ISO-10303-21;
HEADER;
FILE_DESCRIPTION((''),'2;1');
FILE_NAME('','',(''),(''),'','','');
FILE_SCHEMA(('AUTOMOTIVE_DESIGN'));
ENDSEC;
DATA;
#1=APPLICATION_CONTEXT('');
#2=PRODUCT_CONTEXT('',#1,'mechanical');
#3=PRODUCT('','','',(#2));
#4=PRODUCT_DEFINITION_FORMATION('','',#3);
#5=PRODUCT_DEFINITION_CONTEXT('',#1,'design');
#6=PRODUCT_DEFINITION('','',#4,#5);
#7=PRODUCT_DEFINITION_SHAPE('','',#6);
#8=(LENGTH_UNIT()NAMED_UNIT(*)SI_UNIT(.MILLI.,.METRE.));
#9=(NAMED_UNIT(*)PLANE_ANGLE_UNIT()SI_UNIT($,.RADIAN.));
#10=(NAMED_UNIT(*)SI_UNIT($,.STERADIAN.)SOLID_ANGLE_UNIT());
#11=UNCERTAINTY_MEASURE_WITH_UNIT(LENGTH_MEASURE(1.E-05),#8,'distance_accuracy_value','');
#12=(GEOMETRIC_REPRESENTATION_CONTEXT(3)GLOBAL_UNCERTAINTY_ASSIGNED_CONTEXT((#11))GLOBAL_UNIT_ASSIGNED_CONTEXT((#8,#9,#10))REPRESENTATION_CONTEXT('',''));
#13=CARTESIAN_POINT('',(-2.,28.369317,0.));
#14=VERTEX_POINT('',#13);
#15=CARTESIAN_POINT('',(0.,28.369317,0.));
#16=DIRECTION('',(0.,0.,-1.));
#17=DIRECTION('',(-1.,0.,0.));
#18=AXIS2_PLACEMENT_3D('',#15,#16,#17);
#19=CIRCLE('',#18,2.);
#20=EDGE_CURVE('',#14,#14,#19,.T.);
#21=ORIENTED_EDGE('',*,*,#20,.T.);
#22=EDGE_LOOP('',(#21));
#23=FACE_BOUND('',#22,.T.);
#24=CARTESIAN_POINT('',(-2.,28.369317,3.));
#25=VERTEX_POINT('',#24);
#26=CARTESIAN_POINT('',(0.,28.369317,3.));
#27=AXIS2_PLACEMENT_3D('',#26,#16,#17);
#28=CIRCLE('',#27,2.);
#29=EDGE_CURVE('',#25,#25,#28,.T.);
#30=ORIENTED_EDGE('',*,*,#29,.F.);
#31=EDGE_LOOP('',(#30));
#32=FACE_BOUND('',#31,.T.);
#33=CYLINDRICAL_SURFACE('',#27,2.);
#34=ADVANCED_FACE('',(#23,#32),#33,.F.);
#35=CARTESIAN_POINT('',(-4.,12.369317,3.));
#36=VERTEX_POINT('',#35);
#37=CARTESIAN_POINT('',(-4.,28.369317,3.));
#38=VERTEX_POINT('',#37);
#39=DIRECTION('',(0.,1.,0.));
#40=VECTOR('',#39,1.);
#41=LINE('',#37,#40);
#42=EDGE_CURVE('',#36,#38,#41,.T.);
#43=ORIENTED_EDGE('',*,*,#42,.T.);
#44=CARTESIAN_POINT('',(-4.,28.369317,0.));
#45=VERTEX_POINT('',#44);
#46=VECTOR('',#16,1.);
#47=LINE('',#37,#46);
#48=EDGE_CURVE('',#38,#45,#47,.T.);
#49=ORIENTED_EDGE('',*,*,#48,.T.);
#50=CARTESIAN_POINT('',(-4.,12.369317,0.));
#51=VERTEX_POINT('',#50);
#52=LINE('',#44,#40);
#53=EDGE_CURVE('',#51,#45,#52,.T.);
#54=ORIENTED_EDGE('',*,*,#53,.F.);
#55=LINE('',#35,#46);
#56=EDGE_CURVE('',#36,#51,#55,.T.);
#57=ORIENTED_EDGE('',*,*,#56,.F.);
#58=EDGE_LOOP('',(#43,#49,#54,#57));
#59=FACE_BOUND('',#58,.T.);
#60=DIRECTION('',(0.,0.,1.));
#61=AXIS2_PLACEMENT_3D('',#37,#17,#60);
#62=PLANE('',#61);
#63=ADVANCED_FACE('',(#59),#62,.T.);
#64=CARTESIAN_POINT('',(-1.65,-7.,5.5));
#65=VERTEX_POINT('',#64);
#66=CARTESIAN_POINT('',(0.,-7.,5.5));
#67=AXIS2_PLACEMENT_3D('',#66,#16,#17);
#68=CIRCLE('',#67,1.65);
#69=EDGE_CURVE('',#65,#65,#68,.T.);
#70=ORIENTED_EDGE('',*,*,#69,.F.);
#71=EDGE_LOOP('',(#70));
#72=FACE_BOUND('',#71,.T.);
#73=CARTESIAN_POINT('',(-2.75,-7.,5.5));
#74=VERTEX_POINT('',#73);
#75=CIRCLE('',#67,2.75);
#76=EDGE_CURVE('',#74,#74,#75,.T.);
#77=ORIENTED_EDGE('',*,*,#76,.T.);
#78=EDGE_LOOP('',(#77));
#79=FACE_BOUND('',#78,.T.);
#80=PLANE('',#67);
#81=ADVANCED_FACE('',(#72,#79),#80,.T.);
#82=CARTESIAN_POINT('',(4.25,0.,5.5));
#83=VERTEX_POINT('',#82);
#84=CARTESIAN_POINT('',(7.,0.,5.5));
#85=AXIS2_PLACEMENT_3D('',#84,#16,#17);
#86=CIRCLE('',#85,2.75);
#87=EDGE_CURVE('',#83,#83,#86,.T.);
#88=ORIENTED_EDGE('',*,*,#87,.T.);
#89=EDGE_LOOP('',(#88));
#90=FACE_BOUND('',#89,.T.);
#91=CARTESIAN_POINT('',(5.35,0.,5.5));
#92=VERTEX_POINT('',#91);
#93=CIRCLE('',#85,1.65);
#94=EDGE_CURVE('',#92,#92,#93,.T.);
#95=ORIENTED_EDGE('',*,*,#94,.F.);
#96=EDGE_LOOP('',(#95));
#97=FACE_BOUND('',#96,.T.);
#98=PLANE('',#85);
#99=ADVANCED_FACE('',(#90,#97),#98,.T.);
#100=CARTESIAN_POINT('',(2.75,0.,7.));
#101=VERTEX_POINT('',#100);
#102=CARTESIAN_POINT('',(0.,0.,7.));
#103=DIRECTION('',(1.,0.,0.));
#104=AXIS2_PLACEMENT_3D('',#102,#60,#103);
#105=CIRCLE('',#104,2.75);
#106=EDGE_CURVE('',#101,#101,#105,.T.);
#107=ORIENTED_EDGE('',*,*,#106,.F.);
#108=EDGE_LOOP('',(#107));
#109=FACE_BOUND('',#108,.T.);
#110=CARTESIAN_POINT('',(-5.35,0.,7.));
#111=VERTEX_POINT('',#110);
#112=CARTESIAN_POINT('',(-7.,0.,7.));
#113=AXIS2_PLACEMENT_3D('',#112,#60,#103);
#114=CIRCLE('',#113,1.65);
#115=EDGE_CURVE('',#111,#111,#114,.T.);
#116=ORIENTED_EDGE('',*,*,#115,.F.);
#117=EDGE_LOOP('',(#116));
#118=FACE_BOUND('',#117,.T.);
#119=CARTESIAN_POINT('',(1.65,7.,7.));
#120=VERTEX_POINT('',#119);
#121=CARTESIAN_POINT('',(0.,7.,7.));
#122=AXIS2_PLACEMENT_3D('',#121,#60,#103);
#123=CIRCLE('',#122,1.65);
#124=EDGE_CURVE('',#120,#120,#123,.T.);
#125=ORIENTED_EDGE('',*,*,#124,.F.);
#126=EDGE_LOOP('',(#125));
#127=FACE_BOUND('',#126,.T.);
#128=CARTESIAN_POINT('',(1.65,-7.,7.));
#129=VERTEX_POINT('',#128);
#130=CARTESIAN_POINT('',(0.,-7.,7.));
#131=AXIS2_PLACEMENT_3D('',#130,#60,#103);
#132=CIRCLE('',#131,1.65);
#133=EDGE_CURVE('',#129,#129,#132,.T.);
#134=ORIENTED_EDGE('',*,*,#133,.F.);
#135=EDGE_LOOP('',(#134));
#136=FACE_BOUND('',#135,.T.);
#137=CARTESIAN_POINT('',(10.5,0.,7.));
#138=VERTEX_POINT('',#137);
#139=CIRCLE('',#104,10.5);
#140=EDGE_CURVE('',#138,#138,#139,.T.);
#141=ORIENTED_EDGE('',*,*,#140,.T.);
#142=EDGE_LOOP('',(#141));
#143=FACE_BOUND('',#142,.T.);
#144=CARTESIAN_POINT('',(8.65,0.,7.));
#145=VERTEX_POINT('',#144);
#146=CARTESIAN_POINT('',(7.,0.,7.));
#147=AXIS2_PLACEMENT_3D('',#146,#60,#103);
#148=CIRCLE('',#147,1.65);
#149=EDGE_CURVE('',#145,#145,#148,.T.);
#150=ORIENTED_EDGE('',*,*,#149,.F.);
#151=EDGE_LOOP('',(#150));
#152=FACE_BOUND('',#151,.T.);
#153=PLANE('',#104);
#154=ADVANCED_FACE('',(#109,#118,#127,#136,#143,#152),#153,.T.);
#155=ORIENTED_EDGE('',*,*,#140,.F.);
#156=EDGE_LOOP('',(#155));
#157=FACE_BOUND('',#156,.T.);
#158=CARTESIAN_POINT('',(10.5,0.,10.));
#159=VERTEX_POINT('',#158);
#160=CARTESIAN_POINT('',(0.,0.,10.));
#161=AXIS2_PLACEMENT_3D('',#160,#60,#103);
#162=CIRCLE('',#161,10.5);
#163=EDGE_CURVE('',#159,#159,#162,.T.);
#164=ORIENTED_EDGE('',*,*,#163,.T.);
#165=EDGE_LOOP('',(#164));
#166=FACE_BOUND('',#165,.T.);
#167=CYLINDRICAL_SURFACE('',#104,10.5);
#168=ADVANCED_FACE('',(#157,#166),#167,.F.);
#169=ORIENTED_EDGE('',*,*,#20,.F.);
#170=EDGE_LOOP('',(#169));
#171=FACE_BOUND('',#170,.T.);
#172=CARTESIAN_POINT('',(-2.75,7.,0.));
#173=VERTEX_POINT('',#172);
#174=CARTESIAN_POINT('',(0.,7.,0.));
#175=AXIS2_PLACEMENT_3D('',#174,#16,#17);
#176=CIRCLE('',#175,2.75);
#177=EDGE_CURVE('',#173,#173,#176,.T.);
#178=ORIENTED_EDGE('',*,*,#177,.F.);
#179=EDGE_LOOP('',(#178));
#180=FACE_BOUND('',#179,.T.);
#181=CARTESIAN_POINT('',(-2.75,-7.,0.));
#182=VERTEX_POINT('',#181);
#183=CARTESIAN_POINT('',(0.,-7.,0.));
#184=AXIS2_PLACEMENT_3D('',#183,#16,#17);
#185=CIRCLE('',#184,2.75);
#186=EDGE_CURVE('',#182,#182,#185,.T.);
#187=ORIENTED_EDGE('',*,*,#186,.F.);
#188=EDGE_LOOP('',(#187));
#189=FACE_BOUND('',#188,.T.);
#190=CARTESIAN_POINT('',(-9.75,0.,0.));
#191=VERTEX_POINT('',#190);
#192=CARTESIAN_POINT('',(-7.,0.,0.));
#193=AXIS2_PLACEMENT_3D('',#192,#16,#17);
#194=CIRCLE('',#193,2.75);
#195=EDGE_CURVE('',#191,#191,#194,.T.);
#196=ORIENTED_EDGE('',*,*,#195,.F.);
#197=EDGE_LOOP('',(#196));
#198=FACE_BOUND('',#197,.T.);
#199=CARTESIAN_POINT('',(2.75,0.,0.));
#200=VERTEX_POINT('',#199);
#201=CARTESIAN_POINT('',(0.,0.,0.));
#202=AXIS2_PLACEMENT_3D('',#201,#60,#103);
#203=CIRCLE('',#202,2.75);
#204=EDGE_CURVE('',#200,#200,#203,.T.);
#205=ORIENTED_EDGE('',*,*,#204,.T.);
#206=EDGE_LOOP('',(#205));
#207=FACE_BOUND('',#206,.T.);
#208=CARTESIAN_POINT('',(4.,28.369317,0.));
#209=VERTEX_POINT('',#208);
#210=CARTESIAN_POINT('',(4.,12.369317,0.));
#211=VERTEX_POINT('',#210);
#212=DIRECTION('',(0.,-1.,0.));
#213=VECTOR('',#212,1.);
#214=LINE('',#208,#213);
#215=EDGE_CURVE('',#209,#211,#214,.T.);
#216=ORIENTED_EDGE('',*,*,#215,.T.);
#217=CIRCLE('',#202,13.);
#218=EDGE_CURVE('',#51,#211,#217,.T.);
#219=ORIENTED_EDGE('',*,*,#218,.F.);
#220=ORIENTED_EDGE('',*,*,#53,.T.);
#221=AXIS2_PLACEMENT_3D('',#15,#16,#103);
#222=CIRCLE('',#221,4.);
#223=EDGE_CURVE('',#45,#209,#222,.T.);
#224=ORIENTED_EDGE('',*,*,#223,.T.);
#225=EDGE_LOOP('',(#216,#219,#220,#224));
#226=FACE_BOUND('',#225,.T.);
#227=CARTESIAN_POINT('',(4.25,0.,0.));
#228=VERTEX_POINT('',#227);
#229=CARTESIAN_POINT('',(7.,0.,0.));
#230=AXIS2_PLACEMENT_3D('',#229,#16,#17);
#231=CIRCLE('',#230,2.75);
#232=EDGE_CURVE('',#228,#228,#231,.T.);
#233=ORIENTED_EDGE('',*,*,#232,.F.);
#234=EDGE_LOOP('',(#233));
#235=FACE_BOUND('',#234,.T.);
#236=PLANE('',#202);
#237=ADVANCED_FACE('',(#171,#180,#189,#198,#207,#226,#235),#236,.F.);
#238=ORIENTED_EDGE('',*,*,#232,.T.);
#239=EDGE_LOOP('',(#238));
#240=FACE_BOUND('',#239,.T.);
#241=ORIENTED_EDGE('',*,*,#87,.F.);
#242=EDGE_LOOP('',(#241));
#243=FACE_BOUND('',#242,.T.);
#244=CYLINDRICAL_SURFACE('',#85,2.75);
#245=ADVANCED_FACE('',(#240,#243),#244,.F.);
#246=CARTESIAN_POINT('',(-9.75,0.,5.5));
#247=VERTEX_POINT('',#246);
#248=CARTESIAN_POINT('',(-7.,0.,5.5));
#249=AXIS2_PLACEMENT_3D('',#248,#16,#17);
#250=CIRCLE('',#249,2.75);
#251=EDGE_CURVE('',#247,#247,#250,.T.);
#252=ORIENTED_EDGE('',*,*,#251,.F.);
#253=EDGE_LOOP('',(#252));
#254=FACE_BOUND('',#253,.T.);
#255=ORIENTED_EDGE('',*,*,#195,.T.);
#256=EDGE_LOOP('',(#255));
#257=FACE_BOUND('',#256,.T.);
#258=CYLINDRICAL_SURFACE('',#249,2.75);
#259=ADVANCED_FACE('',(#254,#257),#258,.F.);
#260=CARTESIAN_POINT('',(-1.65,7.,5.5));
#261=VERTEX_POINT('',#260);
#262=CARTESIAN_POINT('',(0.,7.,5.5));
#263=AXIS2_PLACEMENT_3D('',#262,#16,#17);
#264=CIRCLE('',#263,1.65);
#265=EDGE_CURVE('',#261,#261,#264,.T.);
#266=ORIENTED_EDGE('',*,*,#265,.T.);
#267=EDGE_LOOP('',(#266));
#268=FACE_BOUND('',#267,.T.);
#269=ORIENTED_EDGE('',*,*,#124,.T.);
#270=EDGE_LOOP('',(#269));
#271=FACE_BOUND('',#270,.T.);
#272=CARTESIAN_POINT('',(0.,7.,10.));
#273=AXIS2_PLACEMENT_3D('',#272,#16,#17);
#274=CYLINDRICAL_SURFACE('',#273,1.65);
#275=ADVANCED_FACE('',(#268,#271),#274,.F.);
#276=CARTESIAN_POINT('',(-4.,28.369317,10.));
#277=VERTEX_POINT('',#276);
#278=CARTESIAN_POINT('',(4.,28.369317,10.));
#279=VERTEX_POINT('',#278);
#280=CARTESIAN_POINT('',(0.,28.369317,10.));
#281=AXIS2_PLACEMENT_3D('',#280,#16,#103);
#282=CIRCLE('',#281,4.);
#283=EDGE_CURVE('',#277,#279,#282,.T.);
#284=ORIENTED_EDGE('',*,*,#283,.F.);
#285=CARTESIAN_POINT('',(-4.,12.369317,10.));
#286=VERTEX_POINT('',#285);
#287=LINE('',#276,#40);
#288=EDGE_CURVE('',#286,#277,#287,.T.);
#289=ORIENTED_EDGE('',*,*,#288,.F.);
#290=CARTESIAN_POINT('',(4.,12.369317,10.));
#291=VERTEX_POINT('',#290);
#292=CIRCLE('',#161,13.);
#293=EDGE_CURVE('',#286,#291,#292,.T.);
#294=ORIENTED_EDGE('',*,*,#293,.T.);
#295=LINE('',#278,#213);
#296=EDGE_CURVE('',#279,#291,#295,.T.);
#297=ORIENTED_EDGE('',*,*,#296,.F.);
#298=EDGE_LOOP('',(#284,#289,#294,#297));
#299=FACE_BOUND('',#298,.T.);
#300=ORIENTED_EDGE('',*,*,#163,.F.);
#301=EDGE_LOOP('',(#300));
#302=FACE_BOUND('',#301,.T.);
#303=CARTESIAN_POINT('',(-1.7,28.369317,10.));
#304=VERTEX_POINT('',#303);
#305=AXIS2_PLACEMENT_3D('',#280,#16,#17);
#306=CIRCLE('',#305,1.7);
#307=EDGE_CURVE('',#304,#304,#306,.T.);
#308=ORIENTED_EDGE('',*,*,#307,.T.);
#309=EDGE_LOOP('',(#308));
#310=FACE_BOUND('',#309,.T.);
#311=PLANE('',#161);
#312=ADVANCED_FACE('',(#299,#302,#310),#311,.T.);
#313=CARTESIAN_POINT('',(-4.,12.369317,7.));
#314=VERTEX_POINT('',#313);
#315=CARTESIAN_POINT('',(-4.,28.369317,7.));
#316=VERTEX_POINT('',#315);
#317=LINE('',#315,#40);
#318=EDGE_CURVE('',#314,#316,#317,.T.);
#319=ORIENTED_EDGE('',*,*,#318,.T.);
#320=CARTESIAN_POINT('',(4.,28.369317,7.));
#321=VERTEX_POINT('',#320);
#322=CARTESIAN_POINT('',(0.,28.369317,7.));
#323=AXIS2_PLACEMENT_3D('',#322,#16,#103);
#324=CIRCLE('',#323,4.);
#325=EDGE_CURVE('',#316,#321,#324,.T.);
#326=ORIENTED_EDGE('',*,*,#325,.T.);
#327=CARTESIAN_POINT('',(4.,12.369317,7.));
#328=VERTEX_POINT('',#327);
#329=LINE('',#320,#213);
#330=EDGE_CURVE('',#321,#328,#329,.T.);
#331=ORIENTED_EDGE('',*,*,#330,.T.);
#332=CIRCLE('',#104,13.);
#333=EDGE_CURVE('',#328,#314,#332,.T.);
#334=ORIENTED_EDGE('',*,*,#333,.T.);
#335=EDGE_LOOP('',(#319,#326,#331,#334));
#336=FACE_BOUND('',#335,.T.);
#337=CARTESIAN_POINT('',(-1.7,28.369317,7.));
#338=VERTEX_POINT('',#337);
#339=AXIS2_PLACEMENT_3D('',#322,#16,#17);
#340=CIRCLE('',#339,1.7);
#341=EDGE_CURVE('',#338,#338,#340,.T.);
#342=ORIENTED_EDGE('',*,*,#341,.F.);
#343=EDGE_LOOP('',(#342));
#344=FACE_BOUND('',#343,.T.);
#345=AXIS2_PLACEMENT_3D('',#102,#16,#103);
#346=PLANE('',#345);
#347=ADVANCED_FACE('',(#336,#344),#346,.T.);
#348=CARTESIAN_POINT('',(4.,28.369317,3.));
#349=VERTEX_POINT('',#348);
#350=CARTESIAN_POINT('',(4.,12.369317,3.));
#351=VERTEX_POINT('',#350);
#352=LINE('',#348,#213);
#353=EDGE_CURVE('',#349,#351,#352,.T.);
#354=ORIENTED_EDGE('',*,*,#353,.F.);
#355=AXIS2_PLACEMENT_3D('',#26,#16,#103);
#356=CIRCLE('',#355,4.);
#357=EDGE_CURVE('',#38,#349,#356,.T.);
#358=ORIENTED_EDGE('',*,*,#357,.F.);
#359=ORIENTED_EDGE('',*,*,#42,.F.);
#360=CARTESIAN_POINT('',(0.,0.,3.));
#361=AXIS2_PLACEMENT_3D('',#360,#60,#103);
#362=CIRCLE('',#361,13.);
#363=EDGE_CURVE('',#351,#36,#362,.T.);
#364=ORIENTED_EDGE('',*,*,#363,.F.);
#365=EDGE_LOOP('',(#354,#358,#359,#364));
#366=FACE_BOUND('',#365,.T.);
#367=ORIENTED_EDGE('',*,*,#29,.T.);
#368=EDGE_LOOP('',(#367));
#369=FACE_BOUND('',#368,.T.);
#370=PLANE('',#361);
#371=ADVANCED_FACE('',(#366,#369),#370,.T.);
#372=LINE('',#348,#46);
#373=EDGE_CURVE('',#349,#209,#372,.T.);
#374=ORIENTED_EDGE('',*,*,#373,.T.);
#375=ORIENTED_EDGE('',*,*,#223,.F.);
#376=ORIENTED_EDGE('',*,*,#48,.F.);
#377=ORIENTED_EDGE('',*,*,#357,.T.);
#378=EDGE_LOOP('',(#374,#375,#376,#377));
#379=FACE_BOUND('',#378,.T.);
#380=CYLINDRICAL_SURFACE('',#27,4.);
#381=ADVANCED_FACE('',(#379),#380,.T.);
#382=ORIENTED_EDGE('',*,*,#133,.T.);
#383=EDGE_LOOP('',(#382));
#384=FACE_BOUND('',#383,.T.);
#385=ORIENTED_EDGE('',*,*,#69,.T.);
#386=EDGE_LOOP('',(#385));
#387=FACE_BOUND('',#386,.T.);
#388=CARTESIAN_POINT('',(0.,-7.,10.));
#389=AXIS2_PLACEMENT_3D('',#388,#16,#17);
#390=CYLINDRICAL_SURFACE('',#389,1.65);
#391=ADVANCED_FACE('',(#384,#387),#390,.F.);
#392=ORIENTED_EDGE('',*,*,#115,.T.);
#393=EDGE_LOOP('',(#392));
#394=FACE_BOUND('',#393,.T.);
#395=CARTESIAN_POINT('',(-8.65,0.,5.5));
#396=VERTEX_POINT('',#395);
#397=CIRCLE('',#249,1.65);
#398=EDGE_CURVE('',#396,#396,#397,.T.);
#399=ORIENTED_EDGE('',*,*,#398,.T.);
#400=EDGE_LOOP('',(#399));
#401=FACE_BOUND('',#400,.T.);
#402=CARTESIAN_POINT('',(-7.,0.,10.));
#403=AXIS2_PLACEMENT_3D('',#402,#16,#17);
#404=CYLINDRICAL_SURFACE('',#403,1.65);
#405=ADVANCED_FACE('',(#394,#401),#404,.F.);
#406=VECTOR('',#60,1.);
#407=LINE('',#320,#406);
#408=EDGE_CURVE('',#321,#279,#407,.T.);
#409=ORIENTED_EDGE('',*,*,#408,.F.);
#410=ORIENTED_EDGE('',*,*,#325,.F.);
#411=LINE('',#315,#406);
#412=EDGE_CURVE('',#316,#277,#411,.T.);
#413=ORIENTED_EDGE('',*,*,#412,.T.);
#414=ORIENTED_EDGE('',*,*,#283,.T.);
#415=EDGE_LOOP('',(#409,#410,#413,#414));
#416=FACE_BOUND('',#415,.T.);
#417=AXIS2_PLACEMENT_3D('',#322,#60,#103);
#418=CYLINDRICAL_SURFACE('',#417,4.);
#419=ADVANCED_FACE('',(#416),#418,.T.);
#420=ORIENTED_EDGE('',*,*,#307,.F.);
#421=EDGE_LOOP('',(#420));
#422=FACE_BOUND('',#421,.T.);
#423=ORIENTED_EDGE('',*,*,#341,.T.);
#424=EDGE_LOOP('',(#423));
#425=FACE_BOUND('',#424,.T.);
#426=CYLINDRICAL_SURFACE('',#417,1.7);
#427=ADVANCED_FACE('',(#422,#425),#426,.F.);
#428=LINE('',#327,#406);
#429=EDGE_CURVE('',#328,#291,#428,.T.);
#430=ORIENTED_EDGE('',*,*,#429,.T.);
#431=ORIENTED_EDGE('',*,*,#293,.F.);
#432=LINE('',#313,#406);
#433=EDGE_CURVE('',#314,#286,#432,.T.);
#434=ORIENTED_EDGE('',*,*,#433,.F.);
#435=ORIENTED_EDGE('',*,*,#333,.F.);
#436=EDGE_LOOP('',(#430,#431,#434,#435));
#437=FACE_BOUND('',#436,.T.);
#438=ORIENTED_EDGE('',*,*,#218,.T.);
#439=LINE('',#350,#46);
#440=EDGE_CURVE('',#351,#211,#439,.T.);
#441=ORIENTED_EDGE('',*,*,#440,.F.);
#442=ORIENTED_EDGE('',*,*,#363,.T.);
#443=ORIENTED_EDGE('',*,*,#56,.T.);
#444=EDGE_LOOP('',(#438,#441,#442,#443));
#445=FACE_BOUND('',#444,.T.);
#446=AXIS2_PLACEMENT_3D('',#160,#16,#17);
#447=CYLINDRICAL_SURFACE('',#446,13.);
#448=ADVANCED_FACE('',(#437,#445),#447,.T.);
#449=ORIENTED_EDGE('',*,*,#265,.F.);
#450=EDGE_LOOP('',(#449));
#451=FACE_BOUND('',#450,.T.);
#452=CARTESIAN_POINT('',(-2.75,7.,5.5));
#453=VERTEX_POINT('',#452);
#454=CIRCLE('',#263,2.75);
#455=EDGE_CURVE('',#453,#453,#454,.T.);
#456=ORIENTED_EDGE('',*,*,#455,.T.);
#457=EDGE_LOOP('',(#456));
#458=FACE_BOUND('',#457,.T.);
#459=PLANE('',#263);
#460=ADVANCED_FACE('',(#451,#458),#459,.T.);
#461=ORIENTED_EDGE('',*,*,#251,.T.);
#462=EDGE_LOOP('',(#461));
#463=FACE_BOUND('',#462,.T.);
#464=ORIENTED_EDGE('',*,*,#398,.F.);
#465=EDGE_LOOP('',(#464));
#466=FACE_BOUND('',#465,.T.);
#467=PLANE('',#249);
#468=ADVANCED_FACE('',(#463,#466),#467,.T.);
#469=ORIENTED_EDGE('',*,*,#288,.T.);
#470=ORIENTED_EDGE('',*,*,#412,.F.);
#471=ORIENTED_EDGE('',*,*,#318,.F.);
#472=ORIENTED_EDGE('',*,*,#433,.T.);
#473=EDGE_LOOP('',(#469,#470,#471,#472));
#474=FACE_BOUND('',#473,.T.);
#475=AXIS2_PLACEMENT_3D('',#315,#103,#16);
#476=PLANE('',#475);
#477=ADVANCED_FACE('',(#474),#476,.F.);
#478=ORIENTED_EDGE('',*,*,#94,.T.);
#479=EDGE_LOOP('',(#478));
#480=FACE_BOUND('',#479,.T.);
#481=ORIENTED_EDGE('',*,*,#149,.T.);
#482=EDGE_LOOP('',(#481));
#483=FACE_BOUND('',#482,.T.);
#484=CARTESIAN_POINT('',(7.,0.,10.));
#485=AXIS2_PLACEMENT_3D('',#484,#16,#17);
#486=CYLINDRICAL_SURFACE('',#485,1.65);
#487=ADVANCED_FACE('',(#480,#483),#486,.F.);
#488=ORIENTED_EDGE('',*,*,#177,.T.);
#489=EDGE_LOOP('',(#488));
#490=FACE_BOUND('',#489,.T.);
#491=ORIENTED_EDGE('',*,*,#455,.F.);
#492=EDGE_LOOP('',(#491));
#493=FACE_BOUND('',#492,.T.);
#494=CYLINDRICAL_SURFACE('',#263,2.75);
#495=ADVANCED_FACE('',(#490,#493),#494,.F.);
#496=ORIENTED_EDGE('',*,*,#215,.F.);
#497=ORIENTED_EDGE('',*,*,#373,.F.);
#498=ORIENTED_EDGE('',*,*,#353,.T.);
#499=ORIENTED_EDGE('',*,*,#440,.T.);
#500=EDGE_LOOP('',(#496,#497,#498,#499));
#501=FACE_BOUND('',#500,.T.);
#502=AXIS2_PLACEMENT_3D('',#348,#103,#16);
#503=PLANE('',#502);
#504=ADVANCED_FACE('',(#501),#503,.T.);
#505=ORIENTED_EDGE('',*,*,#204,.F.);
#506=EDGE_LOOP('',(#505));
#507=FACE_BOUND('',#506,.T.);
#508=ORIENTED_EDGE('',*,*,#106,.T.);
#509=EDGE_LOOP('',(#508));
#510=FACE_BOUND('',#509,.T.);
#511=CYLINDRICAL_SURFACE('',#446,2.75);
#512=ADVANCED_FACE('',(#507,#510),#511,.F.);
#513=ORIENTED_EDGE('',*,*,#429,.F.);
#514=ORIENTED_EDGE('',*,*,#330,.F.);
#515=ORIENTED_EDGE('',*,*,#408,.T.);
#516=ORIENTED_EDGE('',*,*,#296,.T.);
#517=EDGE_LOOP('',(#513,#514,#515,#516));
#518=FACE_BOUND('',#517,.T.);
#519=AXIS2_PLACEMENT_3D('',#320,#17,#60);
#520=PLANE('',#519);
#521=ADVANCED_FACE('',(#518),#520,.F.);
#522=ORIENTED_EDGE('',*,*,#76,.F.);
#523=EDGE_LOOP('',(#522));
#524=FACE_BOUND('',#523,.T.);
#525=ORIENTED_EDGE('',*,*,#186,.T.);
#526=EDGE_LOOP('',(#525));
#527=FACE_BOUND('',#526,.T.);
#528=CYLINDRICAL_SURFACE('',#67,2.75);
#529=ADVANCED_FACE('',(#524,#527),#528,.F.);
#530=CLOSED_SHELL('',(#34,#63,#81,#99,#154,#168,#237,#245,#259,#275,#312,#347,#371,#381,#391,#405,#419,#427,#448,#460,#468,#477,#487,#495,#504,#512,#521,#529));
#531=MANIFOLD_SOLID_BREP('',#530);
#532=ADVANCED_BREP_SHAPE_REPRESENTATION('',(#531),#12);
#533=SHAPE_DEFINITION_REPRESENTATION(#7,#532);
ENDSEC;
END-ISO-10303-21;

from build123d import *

# Parameters (mm, degrees)
ESQUISSE1_R             = 13
ESQUISSE1_R_2           = 2.75
ESQUISSE1_R_3           = 1.65
BOSS_EXTRU_1_DEPTH      = 10
ESQUISSE2_R             = 10.5
ENL_V_MAT_EXTRU_1_DEPTH = 3
ESQUISSE3_R             = 2.75
ENL_V_MAT_EXTRU_2_DEPTH = 5.5
ESQUISSE4_R             = 1.7
BOSS_EXTRU_2_DEPTH      = 3
ESQUISSE5_R             = 2
ENL_V_MAT_EXTRU_3_DEPTH = 3


with BuildPart() as part:
    # Esquisse1 → Boss.-Extru.1 (new body)
    with BuildSketch(Plane.XY):
        Circle(ESQUISSE1_R)
        Circle(ESQUISSE1_R_2, mode=Mode.SUBTRACT)
        with Locations((-7, 0)):
            Circle(ESQUISSE1_R_3, mode=Mode.SUBTRACT)
        with Locations((0, 7)):
            Circle(ESQUISSE1_R_3, mode=Mode.SUBTRACT)
        with Locations((7, 0)):
            Circle(ESQUISSE1_R_3, mode=Mode.SUBTRACT)
        with Locations((0, -7)):
            Circle(ESQUISSE1_R_3, mode=Mode.SUBTRACT)
    extrude(amount=BOSS_EXTRU_1_DEPTH)

    # Esquisse2 → Enlèv. mat.-Extru.1 (cut)
    with BuildSketch(Plane.XY.offset(10)):
        Circle(ESQUISSE2_R)
    extrude(amount=-ENL_V_MAT_EXTRU_1_DEPTH, mode=Mode.SUBTRACT)

    # Esquisse3 → Enlèv. mat.-Extru.2 (cut)
    with BuildSketch(Plane(origin=(0, 0, 0), x_dir=(-1, 0, 0), z_dir=(0, 0, -1))):
        with Locations((-7, 0)):
            Circle(ESQUISSE3_R)
        with Locations((0, 7)):
            Circle(ESQUISSE3_R)
        with Locations((7, 0)):
            Circle(ESQUISSE3_R)
        with Locations((0, -7)):
            Circle(ESQUISSE3_R)
    extrude(amount=-ENL_V_MAT_EXTRU_2_DEPTH, mode=Mode.SUBTRACT)

    # Esquisse4 → Boss.-Extru.2 (add)
    with BuildSketch(Plane(origin=(0, 0, 0), x_dir=(-1, 0, 0), z_dir=(0, 0, -1))):
        with BuildLine():
            Line((-4, 28.369316877), (-4, 12.369316877))
            ThreePointArc((-4, 12.369316877), (0, 13), (4, 12.369316877))
            Line((4, 12.369316877), (4, 28.369316877))
            ThreePointArc((4, 28.369316877), (0, 32.369316877), (-4, 28.369316877))
        make_face()
        with Locations((0, 28.369316877)):
            Circle(ESQUISSE4_R, mode=Mode.SUBTRACT)
    boss_extru_2 = extrude(amount=-BOSS_EXTRU_2_DEPTH)

    # Symétrie1: Boss.-Extru.2 across plane
    add(boss_extru_2.mirror(Plane.XY.offset(5)))

    # Esquisse5 → Enlèv. mat.-Extru.3 (cut)
    with BuildSketch(Plane(origin=(0, 0, 0), x_dir=(-1, 0, 0), z_dir=(0, 0, -1))):
        with Locations((0, 28.369316877)):
            Circle(ESQUISSE5_R)
    extrude(amount=-ENL_V_MAT_EXTRU_3_DEPTH, mode=Mode.SUBTRACT)


solid = part.part
